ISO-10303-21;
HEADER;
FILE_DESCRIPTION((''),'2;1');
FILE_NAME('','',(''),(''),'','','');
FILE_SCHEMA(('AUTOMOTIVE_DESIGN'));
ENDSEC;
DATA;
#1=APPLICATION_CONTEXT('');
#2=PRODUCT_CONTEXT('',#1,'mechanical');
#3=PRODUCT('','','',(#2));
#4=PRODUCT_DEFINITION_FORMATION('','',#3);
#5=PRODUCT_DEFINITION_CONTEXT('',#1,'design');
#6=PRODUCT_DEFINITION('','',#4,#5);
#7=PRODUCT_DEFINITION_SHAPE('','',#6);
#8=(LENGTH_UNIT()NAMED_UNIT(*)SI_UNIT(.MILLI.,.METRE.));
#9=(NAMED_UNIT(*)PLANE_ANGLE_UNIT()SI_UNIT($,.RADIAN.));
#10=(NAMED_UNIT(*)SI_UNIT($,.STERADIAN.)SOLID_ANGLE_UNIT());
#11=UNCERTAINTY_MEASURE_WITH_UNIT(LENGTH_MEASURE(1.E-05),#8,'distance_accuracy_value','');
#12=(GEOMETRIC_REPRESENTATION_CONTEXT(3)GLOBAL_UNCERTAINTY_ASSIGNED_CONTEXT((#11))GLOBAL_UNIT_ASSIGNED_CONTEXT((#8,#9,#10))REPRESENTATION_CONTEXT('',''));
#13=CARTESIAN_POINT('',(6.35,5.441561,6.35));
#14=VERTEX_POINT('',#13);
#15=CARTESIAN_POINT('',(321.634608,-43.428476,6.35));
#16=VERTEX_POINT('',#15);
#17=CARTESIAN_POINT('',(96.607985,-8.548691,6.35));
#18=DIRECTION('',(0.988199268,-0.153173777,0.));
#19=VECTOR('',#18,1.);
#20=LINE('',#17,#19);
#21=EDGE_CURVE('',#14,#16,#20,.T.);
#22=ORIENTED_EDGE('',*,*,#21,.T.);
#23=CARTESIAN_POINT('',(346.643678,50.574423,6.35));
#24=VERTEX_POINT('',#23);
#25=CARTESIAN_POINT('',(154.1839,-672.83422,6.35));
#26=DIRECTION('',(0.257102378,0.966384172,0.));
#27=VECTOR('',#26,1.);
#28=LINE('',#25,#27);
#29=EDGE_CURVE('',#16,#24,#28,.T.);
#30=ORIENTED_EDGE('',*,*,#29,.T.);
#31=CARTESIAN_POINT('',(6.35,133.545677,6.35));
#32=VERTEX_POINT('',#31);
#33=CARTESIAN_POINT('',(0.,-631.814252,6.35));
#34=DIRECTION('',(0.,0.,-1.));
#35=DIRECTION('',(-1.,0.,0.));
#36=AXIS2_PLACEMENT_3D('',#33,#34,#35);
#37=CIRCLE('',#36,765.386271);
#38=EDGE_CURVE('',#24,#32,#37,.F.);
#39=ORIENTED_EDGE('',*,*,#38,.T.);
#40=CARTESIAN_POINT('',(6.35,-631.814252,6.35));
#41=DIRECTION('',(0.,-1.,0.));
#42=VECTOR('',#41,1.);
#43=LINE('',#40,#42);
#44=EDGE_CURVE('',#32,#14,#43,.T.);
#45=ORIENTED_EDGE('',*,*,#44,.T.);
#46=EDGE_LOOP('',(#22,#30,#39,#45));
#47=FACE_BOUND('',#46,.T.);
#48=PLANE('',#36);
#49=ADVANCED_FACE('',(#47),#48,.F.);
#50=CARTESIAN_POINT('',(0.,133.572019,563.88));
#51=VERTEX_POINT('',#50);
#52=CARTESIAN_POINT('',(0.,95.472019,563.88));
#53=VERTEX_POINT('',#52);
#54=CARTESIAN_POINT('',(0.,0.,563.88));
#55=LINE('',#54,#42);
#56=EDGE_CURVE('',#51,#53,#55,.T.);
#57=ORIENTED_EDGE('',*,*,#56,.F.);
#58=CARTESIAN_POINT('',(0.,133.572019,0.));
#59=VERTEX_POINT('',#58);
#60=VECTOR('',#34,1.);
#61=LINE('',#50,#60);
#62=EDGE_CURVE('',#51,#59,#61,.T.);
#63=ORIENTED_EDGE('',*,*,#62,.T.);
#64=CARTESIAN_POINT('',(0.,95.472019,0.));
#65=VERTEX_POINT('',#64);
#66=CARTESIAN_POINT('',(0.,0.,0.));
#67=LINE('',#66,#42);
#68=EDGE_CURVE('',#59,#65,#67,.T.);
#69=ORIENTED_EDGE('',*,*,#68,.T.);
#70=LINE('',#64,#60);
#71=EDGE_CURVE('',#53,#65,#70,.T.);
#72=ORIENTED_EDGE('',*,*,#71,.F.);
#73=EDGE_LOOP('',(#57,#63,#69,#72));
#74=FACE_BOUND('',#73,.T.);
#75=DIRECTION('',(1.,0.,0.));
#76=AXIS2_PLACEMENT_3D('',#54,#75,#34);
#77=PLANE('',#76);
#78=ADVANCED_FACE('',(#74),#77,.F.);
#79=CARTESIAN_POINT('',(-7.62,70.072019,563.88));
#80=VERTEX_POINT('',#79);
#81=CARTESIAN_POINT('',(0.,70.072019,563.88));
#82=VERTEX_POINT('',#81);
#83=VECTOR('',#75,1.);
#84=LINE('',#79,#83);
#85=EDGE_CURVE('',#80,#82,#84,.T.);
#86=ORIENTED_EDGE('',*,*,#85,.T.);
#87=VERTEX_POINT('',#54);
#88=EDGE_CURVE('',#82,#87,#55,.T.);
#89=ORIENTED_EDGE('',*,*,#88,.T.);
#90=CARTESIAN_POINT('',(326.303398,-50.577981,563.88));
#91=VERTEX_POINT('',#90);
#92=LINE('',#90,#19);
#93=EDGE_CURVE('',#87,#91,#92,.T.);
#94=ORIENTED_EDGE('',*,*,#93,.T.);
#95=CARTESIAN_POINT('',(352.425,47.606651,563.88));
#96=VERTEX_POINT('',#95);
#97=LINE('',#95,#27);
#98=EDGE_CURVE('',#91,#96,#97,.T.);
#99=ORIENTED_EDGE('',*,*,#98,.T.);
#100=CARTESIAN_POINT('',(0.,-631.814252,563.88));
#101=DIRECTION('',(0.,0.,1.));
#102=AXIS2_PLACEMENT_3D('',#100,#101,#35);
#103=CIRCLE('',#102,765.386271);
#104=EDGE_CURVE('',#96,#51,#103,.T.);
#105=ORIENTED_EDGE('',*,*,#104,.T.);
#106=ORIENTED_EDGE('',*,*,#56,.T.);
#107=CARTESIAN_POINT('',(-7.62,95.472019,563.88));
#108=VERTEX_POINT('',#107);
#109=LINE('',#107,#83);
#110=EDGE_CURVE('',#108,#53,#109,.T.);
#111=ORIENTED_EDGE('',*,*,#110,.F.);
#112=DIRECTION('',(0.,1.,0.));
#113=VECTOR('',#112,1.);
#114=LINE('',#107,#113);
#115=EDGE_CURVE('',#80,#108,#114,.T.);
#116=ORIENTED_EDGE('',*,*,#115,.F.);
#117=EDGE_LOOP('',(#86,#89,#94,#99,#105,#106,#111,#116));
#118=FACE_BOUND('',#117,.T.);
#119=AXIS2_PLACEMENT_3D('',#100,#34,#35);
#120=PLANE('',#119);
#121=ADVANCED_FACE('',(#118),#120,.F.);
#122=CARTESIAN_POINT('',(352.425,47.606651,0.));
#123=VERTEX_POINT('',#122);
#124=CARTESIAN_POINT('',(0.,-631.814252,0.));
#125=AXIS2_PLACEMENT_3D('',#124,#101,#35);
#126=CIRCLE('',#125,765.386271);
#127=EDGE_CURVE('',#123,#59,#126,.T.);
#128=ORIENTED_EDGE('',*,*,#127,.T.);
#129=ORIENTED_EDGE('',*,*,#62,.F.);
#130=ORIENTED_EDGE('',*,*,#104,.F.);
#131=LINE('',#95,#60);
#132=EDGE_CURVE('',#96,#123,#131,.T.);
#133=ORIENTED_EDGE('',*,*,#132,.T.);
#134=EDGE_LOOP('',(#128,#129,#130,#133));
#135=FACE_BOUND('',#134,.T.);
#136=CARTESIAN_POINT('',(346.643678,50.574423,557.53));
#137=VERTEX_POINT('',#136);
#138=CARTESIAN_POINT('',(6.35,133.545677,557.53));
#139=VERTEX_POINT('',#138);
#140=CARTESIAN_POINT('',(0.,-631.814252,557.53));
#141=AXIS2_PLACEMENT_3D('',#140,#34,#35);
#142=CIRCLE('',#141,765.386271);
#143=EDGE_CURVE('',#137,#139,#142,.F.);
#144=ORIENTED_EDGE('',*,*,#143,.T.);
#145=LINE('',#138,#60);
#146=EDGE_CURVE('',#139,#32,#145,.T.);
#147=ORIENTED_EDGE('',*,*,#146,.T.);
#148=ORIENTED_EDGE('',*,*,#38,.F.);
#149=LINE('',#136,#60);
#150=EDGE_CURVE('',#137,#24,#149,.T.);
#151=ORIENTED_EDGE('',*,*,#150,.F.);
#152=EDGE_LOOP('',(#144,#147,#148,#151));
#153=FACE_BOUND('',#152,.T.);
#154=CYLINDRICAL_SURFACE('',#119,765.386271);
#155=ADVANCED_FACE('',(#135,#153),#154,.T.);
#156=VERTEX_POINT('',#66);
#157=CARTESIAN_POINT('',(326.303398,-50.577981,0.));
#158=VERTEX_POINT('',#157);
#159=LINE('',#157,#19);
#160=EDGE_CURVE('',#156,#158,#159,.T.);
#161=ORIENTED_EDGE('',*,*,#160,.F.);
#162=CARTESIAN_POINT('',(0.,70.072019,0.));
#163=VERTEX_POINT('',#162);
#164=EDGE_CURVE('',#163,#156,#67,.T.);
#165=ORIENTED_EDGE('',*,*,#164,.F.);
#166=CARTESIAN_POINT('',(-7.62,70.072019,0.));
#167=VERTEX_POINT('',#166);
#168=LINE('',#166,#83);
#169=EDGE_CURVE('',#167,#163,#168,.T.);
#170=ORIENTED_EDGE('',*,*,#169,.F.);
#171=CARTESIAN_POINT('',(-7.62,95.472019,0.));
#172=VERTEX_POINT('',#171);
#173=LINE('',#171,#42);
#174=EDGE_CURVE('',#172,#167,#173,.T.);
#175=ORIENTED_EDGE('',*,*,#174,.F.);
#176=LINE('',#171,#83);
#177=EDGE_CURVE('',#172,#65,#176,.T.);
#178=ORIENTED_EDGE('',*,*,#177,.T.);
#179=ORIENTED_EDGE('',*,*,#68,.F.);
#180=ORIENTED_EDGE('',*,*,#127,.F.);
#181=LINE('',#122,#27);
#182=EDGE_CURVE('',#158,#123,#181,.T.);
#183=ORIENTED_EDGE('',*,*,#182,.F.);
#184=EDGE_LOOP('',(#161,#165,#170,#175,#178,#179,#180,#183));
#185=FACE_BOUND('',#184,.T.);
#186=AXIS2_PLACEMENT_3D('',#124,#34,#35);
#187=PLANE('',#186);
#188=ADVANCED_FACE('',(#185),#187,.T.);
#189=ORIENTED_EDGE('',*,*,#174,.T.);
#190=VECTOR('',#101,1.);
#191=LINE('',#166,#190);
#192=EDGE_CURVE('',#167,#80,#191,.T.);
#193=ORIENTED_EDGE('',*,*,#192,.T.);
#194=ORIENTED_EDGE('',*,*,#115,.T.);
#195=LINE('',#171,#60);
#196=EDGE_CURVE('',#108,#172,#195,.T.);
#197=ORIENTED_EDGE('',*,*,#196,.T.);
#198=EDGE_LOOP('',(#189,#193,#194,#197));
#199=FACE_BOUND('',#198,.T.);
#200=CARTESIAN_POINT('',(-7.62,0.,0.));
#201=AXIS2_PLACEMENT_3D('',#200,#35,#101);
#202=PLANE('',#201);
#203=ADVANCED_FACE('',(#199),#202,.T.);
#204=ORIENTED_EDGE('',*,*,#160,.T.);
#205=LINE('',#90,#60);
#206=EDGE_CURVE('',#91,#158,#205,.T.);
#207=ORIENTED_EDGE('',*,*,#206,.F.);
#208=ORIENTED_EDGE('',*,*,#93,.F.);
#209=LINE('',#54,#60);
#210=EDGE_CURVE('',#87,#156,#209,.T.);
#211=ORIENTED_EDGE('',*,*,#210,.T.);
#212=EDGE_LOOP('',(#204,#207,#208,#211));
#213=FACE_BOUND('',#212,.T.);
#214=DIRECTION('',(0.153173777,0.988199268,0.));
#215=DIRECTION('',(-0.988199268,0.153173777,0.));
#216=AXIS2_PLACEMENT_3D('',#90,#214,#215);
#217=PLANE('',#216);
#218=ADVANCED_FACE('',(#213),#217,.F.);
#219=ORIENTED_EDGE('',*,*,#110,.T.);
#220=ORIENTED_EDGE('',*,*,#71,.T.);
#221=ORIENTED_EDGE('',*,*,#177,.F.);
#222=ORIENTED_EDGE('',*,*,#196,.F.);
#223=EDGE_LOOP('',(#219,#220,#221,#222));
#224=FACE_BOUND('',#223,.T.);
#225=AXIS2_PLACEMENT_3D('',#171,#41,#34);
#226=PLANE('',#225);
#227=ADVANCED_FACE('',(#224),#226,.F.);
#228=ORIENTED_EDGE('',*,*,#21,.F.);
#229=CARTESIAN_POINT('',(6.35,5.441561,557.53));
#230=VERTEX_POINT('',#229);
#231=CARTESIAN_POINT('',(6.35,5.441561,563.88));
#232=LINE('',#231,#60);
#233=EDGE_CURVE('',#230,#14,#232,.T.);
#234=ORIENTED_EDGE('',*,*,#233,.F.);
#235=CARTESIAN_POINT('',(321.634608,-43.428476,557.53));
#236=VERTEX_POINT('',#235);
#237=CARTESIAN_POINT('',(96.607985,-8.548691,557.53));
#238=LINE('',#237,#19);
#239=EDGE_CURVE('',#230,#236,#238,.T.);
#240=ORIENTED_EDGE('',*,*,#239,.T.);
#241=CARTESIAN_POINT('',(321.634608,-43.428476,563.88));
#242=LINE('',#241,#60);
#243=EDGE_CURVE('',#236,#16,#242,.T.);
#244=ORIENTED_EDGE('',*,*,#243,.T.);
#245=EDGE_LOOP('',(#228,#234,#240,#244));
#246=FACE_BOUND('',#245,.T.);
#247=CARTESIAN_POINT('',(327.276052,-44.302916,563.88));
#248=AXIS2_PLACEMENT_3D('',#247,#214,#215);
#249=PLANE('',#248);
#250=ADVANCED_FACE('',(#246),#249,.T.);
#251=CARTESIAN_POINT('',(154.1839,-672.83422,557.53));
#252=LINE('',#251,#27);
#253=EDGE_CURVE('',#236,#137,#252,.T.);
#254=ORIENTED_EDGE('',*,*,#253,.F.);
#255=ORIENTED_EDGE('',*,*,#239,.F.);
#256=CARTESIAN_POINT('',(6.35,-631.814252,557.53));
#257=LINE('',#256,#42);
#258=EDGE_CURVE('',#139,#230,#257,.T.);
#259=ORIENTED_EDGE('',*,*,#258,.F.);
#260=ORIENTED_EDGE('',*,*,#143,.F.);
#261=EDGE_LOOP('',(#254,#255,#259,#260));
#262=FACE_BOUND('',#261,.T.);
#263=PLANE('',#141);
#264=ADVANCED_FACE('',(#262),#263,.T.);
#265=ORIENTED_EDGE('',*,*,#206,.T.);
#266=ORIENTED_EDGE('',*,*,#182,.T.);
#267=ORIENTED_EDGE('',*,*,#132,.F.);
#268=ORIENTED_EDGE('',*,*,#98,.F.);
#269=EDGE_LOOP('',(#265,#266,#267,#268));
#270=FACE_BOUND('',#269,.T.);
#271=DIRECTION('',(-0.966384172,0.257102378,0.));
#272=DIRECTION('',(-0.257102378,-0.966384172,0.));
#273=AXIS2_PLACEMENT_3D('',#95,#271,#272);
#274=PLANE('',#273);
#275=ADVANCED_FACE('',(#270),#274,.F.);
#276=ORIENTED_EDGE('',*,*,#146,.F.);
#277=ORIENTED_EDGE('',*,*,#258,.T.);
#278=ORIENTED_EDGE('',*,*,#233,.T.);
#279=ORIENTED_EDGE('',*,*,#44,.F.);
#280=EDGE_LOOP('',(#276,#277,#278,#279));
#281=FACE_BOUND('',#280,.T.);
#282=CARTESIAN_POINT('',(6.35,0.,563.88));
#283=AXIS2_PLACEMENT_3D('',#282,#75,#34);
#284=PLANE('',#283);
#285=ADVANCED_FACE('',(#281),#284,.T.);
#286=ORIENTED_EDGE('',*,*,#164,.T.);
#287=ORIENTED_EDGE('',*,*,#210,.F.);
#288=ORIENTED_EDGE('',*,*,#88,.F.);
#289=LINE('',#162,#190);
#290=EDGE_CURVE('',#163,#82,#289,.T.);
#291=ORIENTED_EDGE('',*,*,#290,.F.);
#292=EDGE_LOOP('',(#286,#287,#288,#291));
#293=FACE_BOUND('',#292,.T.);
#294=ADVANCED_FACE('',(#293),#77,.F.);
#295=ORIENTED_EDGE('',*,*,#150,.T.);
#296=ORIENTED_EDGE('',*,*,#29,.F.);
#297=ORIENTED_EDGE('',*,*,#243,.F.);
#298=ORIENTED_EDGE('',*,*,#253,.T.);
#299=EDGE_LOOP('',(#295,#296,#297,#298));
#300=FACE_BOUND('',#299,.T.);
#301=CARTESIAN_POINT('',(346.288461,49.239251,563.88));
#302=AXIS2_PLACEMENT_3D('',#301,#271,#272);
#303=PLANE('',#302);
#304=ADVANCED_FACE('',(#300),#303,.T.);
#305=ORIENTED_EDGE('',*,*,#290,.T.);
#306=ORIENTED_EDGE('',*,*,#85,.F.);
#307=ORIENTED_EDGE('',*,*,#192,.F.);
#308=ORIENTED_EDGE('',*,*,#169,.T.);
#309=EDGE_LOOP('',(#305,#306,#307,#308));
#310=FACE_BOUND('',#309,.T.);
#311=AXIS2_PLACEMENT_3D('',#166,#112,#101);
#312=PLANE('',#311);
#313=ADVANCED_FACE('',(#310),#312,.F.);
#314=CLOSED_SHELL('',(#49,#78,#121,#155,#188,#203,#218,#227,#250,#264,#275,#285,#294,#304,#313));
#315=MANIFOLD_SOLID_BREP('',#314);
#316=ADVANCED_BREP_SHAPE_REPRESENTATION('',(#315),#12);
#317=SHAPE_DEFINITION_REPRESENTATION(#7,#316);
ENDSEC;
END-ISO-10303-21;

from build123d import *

# Parameters (mm, degrees)
BOSS_EXTRUDE1_DEPTH = 563.88
SHELL1_T            = -6.35
SKETCH2_W           = 563.88
SKETCH2_H           = 25.4
BOSS_EXTRUDE2_DEPTH = 7.62


with BuildPart() as part:
    # Sketch1 → Boss-Extrude1 (new body)
    with BuildSketch(Plane.XY):
        with BuildLine():
            Line((0, 0), (0, 133.572018751))
            ThreePointArc((0, 133.572018751), (181.379040374, 111.770166328), (352.425, 47.606650594))
            Line((352.425, 47.606650594), (326.303398408, -50.577981249))
            Line((326.303398408, -50.577981249), (0, 0))
        make_face()
    extrude(amount=BOSS_EXTRUDE1_DEPTH)

    # Shell1
    shell1_openings = [part.faces().sort_by_distance(p)[0] for p in [
        (181.379040374, 111.770166328, 281.94),
    ]]
    offset(amount=SHELL1_T, openings=shell1_openings, kind=Kind.INTERSECTION)

    # Sketch2 → Boss-Extrude2 (add)
    with BuildSketch(Plane.ZY):
        with Locations((281.94, 82.772018751)):
            Rectangle(SKETCH2_W, SKETCH2_H)
    extrude(amount=BOSS_EXTRUDE2_DEPTH)


solid = part.part
